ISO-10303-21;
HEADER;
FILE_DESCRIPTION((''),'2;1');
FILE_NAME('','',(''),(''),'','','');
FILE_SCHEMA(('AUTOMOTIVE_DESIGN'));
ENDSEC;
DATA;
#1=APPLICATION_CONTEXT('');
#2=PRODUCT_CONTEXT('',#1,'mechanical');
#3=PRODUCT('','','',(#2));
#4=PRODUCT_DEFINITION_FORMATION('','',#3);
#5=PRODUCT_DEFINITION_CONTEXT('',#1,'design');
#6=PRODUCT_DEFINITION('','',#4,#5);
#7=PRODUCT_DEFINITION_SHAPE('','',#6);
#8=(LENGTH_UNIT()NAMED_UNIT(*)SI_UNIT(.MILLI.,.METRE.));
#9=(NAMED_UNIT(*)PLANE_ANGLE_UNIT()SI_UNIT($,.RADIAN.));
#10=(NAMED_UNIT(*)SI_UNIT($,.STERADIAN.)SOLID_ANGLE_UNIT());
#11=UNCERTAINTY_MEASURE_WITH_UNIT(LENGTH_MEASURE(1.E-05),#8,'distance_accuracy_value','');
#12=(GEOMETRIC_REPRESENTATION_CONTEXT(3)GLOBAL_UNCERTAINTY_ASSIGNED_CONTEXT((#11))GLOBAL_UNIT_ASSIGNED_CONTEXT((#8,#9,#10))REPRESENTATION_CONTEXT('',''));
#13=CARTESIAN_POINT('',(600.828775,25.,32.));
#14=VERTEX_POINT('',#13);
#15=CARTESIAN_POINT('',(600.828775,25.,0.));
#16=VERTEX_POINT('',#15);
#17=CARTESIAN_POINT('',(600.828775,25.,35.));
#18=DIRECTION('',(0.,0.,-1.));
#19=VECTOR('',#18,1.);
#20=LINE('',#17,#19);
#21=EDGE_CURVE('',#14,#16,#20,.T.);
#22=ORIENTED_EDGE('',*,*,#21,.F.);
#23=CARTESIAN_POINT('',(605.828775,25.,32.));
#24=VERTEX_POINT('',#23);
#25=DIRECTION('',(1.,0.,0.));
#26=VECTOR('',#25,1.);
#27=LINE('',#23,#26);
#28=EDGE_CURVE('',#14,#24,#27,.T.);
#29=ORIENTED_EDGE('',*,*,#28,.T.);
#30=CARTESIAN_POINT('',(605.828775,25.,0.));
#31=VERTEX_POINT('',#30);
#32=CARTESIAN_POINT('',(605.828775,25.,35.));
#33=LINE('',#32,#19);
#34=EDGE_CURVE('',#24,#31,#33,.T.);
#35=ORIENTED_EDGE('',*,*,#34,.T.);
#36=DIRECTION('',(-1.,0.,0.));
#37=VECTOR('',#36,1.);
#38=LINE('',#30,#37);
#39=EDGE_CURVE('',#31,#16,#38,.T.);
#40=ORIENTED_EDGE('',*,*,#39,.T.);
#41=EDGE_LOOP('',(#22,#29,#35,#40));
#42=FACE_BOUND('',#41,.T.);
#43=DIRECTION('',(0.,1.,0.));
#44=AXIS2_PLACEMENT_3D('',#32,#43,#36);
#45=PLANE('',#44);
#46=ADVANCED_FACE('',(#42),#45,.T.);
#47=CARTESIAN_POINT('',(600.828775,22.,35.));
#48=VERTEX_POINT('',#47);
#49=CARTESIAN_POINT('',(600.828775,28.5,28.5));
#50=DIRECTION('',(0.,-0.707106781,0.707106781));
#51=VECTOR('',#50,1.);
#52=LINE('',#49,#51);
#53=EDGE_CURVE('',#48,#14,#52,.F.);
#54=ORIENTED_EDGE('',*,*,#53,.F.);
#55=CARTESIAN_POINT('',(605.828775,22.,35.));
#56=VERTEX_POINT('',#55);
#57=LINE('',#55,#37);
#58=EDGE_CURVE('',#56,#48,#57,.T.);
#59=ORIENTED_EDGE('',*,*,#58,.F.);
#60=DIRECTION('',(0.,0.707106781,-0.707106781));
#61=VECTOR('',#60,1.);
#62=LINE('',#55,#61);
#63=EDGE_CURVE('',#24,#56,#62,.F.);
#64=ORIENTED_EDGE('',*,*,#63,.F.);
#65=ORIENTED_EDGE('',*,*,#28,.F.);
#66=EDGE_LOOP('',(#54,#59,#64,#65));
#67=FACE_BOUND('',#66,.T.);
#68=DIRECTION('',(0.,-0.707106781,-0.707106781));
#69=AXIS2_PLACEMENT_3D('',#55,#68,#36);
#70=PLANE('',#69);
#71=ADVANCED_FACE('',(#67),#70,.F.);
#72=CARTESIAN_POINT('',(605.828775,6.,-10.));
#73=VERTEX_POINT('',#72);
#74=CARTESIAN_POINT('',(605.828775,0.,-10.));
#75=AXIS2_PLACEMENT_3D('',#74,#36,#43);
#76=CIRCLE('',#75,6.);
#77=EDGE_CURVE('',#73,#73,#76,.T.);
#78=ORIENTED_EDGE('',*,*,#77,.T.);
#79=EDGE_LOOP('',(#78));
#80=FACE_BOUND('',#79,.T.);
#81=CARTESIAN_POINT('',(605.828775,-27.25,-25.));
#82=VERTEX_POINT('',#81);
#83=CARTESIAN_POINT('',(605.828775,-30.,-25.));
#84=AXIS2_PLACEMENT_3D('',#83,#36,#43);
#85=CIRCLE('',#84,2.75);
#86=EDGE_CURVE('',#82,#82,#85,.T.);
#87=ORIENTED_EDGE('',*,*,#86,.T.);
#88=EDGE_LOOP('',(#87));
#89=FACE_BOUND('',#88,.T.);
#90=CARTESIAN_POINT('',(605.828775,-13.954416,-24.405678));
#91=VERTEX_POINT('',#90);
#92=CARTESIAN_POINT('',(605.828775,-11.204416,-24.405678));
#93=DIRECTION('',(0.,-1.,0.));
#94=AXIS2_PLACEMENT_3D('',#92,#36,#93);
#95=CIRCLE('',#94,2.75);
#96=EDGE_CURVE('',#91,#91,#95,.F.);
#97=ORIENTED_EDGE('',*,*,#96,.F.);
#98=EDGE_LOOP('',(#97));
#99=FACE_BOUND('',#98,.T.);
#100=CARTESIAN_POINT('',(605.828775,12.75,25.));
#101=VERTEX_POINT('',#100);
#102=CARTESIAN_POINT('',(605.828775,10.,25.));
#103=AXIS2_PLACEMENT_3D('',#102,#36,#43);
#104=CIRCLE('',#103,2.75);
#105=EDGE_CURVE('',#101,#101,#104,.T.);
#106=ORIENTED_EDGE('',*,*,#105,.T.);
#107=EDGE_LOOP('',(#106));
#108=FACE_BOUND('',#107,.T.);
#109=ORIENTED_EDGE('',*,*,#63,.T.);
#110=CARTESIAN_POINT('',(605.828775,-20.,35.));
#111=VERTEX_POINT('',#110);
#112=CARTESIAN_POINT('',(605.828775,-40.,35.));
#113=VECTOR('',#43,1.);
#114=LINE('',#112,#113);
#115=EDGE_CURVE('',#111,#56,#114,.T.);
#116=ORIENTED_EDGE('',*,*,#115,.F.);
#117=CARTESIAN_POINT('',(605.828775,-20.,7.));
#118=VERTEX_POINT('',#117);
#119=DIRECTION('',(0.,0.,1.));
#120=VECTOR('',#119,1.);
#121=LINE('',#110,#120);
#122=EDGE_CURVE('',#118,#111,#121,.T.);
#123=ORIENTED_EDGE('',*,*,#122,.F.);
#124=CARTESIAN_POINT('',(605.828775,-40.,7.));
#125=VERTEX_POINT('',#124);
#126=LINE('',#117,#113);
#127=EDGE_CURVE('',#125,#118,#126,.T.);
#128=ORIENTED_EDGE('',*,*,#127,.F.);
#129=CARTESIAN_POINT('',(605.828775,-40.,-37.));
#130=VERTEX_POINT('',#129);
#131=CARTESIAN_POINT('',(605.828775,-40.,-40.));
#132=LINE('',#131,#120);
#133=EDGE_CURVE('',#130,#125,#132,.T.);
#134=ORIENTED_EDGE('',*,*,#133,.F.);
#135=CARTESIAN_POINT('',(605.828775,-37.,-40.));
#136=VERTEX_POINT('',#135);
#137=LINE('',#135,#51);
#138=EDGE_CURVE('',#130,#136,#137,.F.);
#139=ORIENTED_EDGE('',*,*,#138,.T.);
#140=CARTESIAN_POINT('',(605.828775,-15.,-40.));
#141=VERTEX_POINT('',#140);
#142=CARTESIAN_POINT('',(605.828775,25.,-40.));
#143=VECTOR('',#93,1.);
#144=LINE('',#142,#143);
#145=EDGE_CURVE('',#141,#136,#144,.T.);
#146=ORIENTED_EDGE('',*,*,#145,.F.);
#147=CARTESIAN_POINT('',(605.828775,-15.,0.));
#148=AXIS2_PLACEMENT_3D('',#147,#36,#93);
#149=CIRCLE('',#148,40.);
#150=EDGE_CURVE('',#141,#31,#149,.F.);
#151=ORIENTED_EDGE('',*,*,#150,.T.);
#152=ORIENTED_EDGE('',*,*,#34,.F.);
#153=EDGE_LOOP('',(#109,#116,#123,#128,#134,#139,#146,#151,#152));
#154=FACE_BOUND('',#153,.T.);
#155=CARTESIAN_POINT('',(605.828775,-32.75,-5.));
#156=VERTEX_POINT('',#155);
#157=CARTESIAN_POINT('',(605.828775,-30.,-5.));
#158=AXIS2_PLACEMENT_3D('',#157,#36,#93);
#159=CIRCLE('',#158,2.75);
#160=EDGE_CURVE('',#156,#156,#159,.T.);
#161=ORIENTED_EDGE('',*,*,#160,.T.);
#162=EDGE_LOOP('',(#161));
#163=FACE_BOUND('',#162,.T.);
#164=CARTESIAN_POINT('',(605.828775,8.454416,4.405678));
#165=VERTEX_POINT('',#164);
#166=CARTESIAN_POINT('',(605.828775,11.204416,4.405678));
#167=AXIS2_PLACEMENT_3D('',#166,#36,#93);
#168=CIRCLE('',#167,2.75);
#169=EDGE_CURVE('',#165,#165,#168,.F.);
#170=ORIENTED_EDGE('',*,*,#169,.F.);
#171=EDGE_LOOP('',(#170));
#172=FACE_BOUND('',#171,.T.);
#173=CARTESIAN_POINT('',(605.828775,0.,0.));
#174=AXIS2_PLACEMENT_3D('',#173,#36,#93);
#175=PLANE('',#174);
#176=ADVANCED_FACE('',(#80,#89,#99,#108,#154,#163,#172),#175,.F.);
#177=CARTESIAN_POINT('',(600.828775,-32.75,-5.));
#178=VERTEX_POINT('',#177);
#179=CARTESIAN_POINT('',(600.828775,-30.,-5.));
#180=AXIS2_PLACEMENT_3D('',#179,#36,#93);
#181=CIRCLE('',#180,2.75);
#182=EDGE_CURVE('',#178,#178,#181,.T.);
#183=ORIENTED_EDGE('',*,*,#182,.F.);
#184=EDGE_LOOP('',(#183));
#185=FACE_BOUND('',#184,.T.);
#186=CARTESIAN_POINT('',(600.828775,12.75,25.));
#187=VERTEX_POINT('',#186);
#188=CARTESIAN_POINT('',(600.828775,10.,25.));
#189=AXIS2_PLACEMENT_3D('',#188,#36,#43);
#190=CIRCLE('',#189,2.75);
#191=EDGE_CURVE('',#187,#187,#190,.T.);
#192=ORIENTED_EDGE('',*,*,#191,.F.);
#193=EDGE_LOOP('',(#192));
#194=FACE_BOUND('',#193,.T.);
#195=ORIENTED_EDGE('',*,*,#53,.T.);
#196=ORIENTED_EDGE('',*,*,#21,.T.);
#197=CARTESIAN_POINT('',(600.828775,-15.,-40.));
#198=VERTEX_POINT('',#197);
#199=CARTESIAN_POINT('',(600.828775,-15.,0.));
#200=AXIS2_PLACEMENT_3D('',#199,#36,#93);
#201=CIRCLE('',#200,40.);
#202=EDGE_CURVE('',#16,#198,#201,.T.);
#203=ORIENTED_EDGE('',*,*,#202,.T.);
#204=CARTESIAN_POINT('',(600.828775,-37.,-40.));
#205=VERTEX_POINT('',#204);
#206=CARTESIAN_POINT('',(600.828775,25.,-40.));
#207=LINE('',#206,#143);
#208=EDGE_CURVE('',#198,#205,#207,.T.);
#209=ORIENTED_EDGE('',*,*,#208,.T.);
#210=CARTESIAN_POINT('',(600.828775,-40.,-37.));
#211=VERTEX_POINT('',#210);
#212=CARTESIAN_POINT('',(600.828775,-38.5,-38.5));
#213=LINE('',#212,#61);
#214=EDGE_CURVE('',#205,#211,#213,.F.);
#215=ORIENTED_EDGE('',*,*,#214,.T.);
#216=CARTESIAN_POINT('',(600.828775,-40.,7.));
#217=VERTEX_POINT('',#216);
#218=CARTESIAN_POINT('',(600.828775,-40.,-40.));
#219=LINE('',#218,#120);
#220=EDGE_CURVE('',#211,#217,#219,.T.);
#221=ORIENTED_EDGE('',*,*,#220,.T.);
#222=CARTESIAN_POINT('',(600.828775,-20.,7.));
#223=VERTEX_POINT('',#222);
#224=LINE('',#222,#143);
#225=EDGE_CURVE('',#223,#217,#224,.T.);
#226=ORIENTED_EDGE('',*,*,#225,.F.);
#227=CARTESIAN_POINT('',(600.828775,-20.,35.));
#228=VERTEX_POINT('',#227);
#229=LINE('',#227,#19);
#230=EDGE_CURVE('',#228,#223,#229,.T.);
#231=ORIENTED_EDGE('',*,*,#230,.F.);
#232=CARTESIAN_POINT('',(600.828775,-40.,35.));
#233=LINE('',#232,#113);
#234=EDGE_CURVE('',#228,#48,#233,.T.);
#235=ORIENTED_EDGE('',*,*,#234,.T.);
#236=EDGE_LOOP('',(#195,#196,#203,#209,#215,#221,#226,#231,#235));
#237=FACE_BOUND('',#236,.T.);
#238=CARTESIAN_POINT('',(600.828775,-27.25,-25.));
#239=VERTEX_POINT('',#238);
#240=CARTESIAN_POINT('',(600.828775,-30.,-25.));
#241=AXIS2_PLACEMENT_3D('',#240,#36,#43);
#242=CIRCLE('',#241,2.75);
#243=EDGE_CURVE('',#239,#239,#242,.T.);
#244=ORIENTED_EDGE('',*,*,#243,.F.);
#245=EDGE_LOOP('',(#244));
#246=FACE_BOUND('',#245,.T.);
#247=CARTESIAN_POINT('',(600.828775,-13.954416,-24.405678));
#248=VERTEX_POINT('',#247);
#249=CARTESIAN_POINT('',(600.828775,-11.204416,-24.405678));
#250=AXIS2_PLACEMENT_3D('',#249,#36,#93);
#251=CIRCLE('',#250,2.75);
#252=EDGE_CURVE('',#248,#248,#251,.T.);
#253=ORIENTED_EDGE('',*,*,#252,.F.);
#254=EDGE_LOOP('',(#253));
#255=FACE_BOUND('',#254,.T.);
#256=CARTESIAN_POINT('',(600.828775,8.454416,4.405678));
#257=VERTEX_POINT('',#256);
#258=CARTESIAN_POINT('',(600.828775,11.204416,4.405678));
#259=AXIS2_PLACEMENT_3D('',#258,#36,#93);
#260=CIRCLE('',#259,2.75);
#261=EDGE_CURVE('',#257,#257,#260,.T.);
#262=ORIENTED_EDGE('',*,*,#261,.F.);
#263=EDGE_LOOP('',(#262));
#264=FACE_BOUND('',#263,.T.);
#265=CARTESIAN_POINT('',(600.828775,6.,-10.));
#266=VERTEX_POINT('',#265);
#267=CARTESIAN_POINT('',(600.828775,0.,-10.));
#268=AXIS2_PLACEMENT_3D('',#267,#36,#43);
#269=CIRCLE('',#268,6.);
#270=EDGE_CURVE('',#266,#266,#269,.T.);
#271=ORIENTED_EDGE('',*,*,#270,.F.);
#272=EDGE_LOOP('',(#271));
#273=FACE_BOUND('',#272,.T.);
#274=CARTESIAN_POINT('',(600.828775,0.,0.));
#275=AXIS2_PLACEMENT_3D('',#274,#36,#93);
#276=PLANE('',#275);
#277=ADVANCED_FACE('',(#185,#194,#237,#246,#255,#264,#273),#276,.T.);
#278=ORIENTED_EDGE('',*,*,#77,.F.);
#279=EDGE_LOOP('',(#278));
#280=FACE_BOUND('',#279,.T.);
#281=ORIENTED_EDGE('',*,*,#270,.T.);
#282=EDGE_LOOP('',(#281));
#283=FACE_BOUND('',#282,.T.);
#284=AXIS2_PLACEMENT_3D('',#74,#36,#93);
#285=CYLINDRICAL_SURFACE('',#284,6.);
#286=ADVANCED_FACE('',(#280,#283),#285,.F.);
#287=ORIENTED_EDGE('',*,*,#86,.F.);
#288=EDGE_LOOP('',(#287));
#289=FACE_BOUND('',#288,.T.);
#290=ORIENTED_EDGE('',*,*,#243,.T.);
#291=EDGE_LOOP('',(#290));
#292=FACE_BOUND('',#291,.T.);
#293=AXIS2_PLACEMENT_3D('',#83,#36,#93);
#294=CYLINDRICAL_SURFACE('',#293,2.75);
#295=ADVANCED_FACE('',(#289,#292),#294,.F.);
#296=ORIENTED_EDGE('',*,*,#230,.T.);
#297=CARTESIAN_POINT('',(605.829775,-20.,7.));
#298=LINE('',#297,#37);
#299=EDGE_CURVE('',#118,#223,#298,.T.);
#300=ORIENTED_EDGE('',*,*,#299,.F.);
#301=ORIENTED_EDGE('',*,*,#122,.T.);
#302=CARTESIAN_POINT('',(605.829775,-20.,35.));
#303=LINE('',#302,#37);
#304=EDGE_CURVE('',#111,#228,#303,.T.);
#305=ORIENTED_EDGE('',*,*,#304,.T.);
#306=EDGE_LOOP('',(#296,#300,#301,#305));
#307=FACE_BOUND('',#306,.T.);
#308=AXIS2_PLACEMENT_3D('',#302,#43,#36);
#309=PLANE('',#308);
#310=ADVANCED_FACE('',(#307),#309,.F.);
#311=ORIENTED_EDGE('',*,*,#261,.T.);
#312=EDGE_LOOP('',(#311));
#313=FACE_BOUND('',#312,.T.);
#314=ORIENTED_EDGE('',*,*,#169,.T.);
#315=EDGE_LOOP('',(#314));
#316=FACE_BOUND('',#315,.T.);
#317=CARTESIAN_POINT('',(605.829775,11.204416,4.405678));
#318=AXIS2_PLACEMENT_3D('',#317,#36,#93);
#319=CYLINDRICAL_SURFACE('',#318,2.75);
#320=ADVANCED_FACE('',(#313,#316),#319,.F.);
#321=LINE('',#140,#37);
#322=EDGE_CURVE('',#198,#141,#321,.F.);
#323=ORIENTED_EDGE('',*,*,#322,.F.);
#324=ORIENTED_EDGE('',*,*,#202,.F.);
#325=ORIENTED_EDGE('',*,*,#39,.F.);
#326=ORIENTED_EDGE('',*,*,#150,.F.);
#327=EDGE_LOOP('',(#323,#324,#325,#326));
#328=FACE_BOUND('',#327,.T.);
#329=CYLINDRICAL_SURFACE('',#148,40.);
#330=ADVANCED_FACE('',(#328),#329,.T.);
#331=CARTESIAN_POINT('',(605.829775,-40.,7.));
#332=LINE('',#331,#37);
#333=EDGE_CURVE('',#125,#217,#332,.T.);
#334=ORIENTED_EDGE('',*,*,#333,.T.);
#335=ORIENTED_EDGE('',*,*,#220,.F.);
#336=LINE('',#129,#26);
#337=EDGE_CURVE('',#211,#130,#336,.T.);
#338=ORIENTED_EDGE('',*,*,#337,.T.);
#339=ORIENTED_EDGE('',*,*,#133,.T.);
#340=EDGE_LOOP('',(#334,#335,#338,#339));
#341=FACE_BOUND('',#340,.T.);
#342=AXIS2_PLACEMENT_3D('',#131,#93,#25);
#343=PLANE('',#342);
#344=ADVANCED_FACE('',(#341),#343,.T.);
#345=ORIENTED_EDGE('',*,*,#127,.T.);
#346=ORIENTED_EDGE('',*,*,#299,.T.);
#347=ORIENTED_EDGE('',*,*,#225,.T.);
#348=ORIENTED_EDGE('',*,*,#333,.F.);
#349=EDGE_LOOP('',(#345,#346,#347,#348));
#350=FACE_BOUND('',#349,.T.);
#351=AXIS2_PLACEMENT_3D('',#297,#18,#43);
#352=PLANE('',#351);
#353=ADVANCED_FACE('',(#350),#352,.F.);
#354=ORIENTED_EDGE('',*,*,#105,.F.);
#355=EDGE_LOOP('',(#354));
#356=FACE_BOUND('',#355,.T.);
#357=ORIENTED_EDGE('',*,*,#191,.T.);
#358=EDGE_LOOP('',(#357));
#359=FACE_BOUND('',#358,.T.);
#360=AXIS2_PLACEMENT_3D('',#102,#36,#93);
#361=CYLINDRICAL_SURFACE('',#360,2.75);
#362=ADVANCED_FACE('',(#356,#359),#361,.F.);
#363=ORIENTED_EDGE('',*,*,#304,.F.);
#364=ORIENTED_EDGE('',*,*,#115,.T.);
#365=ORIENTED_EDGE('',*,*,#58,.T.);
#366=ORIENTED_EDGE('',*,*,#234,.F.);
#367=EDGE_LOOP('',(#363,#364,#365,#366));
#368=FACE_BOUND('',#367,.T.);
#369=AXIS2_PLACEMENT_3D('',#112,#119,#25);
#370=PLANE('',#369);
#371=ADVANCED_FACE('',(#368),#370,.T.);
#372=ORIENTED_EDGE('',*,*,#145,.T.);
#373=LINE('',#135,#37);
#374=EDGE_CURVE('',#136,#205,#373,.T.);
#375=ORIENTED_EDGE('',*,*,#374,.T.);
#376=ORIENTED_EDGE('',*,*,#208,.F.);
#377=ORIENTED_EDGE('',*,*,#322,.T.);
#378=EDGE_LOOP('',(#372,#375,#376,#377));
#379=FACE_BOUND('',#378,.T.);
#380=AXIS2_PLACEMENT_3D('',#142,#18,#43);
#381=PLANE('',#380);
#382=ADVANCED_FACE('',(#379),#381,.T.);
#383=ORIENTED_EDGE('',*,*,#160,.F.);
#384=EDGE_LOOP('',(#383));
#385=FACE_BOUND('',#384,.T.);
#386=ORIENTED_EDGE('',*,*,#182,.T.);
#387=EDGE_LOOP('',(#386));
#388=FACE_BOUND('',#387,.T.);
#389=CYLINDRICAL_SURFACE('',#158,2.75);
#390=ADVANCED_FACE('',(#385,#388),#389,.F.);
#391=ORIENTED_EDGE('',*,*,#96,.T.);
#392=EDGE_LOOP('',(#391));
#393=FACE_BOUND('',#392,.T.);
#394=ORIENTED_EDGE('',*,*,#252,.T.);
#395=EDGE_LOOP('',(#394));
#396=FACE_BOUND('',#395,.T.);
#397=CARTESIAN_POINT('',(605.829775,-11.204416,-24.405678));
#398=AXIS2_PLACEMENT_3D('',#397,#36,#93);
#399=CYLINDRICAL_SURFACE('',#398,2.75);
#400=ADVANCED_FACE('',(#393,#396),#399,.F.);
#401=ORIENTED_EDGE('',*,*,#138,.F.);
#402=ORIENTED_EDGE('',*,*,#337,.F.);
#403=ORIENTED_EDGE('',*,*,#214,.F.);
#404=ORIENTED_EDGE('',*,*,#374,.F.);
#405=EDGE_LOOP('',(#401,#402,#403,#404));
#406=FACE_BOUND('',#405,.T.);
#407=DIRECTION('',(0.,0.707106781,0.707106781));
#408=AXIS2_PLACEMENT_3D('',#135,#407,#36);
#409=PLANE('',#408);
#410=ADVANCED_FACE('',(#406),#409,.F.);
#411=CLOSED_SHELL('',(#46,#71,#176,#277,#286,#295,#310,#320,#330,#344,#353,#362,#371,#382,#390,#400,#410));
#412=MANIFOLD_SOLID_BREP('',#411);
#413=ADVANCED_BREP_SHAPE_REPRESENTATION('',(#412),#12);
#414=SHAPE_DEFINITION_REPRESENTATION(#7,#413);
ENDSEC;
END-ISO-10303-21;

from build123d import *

# Parameters (mm, degrees)
SKETCH1_W           = 65
SKETCH1_H           = 75
SKETCH1_R           = 2.75
SKETCH1_R_2         = 6
BOSS_EXTRUDE1_DEPTH = 5
CHAMFER1_SIZE       = 3
CUT_EXTRUDE1_REACH  = 58.789
SKETCH2_R           = 2.75
CUT_EXTRUDE2_REACH  = 58.789
SKETCH3_W           = 28
SKETCH3_H           = 20
FILLET1_R           = 40


with BuildPart() as part:
    # Sketch1 → Boss-Extrude1 (new body)
    with BuildSketch(Plane(origin=(600.828774839, 0, 0), x_dir=(0, -1, 0), z_dir=(-1, 0, 0))):
        with Locations((7.5, -2.5)):
            Rectangle(SKETCH1_W, SKETCH1_H)
        with Locations((30, -5)):
            Circle(SKETCH1_R, mode=Mode.SUBTRACT)
        with Locations(Location((-10, 25, 0), (0, 0, 180))):
            Circle(SKETCH1_R, mode=Mode.SUBTRACT)
        with Locations(Location((30, -25, 0), (0, 0, 180))):
            Circle(SKETCH1_R, mode=Mode.SUBTRACT)
        with Locations(Location((0, -10, 0), (0, 0, 180))):
            Circle(SKETCH1_R_2, mode=Mode.SUBTRACT)
    extrude(amount=-BOSS_EXTRUDE1_DEPTH)

    # Chamfer1
    chamfer1_edges = [part.edges().sort_by_distance(p)[0] for p in [
        (603.328774839, 25, 35),
        (603.328774839, -40, 35),
        (603.328774839, -40, -40),
    ]]
    chamfer(chamfer1_edges, length=CHAMFER1_SIZE)

    # Sketch2 → Cut-Extrude1 (cut, up to next)
    with BuildSketch(Plane.ZY.offset(-600.828774839), mode=Mode.PRIVATE) as cut_extrude1_sk1:
        with Locations(Location((4.405677967, 11.204416197, 0), (0, 0, 270))):
            Circle(SKETCH2_R)
    cut_extrude1_tool1 = extrude(cut_extrude1_sk1.sketch, amount=-CUT_EXTRUDE1_REACH, mode=Mode.PRIVATE) & part.part
    # Sketch2 → Cut-Extrude1 (cut, up to next)
    with BuildSketch(Plane.ZY.offset(-600.828774839), mode=Mode.PRIVATE) as cut_extrude1_sk2:
        with Locations(Location((-24.405677967, -11.204416197, 0), (0, 0, 270))):
            Circle(SKETCH2_R)
    cut_extrude1_tool2 = extrude(cut_extrude1_sk2.sketch, amount=-CUT_EXTRUDE1_REACH, mode=Mode.PRIVATE) & part.part
    add(cut_extrude1_tool1.solids().sort_by_distance((600.828775, 11.204416, 4.405678))[0], mode=Mode.SUBTRACT)
    add(cut_extrude1_tool2.solids().sort_by_distance((600.828775, -11.204416, -24.405678))[0], mode=Mode.SUBTRACT)

    # Sketch3 → Cut-Extrude2 (cut, up to next)
    with BuildSketch(Plane.ZY.offset(-600.828774839), mode=Mode.PRIVATE) as cut_extrude2_sk1:
        with Locations((21, -30)):
            Rectangle(SKETCH3_W, SKETCH3_H)
    cut_extrude2_tool1 = extrude(cut_extrude2_sk1.sketch, amount=-CUT_EXTRUDE2_REACH, mode=Mode.PRIVATE) & part.part
    add(cut_extrude2_tool1.solids().sort_by_distance((600.828775, -30, 21))[0], mode=Mode.SUBTRACT)

    # Fillet1
    fillet1_edges = [part.edges().sort_by_distance(p)[0] for p in [
        (603.328774839, 25, -40),
    ]]
    fillet(fillet1_edges, radius=FILLET1_R)


solid = part.part
